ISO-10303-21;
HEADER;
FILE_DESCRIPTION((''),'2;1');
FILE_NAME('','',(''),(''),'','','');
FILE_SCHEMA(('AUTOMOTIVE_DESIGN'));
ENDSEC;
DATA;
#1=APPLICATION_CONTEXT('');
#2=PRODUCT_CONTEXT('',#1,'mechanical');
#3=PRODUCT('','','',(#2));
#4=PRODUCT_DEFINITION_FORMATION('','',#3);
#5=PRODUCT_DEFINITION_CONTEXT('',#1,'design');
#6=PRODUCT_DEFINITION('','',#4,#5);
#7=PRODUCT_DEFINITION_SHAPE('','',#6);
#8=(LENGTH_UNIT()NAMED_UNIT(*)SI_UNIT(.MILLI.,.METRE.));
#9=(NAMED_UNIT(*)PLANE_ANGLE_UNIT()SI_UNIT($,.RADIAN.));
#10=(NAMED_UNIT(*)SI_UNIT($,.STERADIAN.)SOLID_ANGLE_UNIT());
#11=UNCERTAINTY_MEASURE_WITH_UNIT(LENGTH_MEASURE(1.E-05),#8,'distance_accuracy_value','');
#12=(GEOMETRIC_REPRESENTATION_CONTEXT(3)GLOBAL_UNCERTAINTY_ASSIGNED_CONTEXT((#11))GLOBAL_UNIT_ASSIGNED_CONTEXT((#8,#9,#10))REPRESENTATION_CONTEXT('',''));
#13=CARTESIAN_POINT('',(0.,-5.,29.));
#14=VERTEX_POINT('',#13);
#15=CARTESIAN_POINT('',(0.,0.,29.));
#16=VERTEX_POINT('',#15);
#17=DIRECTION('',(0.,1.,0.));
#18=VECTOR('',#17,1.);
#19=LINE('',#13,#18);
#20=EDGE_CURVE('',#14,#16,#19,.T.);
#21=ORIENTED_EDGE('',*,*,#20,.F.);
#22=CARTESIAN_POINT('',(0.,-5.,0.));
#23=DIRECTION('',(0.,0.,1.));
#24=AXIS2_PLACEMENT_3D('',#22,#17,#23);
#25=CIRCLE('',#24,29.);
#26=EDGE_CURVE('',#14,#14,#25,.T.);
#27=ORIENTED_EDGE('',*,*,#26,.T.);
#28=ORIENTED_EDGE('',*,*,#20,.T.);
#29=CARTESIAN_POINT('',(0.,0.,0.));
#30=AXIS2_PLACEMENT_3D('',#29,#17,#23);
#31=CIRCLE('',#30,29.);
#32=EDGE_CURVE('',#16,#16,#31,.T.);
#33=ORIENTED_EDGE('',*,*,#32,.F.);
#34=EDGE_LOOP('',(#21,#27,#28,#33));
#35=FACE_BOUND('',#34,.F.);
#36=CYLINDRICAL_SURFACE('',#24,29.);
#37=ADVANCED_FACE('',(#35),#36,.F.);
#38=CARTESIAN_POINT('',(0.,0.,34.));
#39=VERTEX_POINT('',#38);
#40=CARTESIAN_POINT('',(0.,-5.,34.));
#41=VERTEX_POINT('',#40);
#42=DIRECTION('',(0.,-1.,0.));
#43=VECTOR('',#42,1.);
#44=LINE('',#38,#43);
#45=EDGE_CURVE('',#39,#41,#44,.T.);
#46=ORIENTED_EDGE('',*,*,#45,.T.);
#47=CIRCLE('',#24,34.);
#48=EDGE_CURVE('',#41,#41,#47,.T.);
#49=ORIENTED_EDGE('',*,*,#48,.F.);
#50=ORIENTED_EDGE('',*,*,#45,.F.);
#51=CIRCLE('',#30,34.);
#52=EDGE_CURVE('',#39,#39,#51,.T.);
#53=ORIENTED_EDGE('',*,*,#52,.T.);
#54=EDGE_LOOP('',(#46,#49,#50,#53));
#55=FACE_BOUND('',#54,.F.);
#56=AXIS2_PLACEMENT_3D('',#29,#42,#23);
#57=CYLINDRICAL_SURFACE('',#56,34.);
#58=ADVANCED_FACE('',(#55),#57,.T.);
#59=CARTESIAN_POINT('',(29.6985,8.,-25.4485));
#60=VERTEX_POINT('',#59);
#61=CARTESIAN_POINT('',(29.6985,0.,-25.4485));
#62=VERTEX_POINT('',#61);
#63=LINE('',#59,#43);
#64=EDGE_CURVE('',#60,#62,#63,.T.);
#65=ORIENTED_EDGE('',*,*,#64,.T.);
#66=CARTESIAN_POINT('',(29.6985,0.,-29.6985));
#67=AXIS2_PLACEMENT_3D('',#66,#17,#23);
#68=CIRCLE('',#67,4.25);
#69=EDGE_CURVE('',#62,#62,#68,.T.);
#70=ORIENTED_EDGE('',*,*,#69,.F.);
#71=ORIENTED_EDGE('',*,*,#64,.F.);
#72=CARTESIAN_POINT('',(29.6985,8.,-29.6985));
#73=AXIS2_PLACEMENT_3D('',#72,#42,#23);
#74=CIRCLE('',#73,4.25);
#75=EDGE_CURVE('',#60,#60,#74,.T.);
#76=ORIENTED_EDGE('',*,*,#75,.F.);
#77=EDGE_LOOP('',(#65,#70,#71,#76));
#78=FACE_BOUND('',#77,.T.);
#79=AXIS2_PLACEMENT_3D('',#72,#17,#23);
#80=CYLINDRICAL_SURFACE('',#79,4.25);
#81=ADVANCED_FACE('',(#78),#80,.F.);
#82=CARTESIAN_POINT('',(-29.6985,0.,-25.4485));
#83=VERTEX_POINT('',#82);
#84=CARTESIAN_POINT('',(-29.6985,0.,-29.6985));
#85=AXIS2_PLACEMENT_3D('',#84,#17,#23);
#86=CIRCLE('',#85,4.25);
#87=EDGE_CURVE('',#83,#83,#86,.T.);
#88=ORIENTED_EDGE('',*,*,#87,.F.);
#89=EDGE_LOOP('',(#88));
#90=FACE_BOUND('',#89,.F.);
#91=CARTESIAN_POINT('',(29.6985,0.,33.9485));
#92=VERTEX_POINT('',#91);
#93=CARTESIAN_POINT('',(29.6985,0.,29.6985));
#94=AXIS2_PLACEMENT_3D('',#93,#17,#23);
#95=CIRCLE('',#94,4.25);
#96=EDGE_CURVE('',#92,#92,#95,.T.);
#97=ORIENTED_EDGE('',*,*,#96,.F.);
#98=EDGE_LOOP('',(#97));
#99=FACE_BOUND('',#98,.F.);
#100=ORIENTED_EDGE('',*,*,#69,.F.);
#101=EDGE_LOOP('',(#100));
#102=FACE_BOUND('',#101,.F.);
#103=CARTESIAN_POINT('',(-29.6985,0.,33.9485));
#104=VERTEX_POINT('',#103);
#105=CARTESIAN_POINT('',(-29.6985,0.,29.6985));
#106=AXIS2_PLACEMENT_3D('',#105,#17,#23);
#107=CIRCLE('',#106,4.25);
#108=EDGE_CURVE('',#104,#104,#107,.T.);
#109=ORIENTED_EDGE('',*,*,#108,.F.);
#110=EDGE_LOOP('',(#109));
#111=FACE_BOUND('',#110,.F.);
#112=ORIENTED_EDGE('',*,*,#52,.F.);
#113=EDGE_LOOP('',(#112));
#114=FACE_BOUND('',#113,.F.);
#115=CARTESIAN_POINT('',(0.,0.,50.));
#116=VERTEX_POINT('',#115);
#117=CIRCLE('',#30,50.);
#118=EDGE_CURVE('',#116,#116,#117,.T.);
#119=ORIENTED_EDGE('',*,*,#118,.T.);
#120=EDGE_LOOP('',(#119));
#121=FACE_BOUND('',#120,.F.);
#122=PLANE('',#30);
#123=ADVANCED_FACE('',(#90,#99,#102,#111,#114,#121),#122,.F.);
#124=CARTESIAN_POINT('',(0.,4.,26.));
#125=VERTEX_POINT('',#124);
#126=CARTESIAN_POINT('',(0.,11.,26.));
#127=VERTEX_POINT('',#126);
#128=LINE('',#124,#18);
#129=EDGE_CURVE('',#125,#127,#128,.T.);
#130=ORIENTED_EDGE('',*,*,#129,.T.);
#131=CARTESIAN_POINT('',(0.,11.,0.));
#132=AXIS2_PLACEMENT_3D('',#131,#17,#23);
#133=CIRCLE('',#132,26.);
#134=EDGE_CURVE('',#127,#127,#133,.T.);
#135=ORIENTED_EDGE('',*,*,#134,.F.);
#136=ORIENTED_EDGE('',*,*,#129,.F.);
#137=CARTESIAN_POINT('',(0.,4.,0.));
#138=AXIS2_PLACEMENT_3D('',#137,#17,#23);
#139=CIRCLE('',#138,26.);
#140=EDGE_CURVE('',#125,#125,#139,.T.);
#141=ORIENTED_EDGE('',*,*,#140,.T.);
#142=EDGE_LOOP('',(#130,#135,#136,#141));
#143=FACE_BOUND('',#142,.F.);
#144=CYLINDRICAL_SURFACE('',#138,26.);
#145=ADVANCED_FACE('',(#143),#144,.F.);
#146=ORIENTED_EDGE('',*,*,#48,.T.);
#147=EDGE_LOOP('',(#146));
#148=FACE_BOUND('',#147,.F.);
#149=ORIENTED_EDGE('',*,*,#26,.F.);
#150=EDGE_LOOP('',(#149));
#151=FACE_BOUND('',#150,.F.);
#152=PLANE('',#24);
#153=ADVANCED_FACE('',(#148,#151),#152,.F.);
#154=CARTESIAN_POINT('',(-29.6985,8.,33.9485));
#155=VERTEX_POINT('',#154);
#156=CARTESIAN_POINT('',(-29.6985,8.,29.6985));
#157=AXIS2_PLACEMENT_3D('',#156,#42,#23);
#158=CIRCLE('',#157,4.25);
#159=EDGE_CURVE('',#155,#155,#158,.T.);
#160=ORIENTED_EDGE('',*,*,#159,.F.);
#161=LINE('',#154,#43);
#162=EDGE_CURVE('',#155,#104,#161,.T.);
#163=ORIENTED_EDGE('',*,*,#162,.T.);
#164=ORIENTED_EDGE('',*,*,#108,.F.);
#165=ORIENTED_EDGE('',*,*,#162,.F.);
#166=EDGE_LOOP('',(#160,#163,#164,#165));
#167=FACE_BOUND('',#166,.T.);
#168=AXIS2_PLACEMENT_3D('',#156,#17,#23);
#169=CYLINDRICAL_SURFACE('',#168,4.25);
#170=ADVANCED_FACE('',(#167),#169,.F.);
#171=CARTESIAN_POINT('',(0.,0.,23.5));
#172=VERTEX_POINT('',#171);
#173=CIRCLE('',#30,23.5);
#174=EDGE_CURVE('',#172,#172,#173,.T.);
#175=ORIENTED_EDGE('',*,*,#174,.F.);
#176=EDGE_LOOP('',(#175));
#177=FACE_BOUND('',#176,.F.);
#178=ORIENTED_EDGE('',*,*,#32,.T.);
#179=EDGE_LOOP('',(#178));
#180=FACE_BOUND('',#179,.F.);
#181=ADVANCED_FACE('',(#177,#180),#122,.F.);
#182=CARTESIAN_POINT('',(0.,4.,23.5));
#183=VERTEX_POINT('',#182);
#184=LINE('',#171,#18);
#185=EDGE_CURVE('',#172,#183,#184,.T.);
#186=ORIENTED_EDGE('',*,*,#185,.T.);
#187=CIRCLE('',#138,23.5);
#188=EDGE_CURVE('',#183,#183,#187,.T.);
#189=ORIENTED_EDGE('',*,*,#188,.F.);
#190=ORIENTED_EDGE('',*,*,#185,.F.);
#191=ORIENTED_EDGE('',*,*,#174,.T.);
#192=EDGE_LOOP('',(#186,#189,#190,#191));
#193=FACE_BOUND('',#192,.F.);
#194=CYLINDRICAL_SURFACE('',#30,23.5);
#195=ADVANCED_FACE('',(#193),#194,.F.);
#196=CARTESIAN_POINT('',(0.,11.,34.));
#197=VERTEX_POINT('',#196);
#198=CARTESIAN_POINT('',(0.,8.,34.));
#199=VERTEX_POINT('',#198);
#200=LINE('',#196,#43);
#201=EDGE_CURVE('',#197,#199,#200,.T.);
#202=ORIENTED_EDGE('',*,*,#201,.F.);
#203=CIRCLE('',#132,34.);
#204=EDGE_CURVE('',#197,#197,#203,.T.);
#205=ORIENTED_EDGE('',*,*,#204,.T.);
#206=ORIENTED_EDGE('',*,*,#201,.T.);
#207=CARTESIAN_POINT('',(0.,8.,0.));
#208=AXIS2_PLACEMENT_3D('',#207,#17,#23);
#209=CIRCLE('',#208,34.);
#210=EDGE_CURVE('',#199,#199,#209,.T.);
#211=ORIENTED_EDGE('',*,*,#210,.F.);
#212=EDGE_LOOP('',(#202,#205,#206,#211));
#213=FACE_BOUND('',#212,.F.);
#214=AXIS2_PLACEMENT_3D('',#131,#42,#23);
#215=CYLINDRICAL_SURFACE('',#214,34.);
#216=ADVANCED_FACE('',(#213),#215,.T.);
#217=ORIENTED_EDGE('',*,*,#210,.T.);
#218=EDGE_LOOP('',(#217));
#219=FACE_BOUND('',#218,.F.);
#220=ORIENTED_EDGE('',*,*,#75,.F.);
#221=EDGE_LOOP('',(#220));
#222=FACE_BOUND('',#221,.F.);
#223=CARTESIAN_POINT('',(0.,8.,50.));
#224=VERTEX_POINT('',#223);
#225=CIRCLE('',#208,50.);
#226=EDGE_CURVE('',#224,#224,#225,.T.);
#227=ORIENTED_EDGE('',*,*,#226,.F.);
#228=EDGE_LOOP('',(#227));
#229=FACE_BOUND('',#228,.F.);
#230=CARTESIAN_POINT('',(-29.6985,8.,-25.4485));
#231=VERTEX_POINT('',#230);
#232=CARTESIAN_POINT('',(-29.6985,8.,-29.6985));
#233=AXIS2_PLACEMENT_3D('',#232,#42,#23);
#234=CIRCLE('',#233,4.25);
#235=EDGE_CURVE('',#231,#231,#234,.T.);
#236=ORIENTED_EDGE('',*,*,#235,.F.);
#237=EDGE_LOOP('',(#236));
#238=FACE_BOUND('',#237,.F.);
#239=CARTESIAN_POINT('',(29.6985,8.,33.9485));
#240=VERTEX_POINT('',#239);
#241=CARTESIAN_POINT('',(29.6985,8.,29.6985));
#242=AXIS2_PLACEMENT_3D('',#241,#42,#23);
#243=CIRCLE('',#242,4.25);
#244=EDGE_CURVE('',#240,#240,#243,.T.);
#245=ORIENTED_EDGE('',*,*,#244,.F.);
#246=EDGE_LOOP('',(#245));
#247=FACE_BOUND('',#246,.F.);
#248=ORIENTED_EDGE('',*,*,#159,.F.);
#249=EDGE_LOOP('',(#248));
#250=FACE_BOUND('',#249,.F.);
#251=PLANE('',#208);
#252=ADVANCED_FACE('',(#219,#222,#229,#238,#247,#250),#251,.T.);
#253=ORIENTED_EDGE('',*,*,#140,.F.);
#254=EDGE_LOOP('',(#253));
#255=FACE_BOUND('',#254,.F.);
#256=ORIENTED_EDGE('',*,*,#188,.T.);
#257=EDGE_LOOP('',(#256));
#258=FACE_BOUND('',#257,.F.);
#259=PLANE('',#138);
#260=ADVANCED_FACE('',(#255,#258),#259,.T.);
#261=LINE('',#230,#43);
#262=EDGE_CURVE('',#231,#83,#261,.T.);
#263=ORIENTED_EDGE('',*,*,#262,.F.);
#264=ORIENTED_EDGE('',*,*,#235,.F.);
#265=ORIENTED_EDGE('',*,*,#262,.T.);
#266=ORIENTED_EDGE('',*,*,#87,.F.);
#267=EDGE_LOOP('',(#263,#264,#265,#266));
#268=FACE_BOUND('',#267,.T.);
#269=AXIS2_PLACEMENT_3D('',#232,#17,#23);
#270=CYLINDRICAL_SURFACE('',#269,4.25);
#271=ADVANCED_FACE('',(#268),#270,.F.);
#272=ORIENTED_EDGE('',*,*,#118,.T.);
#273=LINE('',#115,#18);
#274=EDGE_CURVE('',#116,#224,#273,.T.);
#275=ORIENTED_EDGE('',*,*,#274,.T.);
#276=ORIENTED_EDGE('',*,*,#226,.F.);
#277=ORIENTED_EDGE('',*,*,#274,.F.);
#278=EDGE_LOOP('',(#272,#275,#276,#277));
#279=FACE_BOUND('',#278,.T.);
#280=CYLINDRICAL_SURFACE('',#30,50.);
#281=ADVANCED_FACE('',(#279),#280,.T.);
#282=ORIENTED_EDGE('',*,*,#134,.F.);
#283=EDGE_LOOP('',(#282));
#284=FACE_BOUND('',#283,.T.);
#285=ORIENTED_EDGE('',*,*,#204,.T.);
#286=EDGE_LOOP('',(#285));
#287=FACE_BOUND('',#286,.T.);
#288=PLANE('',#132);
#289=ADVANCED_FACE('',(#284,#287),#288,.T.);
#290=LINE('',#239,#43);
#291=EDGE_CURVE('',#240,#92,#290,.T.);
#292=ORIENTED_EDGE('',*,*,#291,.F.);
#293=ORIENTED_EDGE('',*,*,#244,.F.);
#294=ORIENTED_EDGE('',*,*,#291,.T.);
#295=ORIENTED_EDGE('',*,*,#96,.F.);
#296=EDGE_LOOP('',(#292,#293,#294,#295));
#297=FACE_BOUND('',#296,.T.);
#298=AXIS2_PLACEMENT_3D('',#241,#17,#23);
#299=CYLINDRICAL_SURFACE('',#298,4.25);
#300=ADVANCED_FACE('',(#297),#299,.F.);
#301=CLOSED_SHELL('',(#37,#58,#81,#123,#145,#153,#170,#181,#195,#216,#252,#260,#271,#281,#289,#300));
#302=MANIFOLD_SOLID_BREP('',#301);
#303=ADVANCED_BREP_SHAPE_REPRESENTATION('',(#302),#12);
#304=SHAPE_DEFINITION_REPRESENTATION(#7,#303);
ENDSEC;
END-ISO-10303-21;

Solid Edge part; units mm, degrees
sketch "Sketch1" plane through (0, 0, 0) normal (1, 0, 0) x (0, 1, 0)
  line L0 (8, 34) -> (8, 50)
  line L1 (0, 50) -> (8, 50)
  line L2 (0, 50) -> (0, 34)
  line L3 (0, 34) -> (-5, 34)
  line L4 (-5, 34) -> (-5, 29)
  line L5 (-5, 29) -> (0, 29)
  line L6 (0, 29) -> (0, 23.5)
  line L7 (0, 23.5) -> (4, 23.5)
  line L8 (4, 23.5) -> (4, 26)
  line L9 (4, 26) -> (11, 26)
  line L10 (11, 34) -> (11, 26)
  line L11 (11, 34) -> (8, 34)
revolve "RevolvedProtrusion1" add sketch "Sketch1" angle 360 about axis through (0, -22.1591, 0) along (0, 1, 0)
hole "Hole1" at (29.6985, 8, 29.6985) direction (0, -1, 0) diameter 8.5 end through all
hole "Hole2" at (-29.6985, 8, 29.6985) direction (0, -1, 0) diameter 8.5 end through all
hole "Hole3" at (-29.6985, 8, -29.6985) direction (0, -1, 0) diameter 8.5 end through all
hole "Hole4" at (29.6985, 8, -29.6985) direction (0, -1, 0) diameter 8.5 end through all
